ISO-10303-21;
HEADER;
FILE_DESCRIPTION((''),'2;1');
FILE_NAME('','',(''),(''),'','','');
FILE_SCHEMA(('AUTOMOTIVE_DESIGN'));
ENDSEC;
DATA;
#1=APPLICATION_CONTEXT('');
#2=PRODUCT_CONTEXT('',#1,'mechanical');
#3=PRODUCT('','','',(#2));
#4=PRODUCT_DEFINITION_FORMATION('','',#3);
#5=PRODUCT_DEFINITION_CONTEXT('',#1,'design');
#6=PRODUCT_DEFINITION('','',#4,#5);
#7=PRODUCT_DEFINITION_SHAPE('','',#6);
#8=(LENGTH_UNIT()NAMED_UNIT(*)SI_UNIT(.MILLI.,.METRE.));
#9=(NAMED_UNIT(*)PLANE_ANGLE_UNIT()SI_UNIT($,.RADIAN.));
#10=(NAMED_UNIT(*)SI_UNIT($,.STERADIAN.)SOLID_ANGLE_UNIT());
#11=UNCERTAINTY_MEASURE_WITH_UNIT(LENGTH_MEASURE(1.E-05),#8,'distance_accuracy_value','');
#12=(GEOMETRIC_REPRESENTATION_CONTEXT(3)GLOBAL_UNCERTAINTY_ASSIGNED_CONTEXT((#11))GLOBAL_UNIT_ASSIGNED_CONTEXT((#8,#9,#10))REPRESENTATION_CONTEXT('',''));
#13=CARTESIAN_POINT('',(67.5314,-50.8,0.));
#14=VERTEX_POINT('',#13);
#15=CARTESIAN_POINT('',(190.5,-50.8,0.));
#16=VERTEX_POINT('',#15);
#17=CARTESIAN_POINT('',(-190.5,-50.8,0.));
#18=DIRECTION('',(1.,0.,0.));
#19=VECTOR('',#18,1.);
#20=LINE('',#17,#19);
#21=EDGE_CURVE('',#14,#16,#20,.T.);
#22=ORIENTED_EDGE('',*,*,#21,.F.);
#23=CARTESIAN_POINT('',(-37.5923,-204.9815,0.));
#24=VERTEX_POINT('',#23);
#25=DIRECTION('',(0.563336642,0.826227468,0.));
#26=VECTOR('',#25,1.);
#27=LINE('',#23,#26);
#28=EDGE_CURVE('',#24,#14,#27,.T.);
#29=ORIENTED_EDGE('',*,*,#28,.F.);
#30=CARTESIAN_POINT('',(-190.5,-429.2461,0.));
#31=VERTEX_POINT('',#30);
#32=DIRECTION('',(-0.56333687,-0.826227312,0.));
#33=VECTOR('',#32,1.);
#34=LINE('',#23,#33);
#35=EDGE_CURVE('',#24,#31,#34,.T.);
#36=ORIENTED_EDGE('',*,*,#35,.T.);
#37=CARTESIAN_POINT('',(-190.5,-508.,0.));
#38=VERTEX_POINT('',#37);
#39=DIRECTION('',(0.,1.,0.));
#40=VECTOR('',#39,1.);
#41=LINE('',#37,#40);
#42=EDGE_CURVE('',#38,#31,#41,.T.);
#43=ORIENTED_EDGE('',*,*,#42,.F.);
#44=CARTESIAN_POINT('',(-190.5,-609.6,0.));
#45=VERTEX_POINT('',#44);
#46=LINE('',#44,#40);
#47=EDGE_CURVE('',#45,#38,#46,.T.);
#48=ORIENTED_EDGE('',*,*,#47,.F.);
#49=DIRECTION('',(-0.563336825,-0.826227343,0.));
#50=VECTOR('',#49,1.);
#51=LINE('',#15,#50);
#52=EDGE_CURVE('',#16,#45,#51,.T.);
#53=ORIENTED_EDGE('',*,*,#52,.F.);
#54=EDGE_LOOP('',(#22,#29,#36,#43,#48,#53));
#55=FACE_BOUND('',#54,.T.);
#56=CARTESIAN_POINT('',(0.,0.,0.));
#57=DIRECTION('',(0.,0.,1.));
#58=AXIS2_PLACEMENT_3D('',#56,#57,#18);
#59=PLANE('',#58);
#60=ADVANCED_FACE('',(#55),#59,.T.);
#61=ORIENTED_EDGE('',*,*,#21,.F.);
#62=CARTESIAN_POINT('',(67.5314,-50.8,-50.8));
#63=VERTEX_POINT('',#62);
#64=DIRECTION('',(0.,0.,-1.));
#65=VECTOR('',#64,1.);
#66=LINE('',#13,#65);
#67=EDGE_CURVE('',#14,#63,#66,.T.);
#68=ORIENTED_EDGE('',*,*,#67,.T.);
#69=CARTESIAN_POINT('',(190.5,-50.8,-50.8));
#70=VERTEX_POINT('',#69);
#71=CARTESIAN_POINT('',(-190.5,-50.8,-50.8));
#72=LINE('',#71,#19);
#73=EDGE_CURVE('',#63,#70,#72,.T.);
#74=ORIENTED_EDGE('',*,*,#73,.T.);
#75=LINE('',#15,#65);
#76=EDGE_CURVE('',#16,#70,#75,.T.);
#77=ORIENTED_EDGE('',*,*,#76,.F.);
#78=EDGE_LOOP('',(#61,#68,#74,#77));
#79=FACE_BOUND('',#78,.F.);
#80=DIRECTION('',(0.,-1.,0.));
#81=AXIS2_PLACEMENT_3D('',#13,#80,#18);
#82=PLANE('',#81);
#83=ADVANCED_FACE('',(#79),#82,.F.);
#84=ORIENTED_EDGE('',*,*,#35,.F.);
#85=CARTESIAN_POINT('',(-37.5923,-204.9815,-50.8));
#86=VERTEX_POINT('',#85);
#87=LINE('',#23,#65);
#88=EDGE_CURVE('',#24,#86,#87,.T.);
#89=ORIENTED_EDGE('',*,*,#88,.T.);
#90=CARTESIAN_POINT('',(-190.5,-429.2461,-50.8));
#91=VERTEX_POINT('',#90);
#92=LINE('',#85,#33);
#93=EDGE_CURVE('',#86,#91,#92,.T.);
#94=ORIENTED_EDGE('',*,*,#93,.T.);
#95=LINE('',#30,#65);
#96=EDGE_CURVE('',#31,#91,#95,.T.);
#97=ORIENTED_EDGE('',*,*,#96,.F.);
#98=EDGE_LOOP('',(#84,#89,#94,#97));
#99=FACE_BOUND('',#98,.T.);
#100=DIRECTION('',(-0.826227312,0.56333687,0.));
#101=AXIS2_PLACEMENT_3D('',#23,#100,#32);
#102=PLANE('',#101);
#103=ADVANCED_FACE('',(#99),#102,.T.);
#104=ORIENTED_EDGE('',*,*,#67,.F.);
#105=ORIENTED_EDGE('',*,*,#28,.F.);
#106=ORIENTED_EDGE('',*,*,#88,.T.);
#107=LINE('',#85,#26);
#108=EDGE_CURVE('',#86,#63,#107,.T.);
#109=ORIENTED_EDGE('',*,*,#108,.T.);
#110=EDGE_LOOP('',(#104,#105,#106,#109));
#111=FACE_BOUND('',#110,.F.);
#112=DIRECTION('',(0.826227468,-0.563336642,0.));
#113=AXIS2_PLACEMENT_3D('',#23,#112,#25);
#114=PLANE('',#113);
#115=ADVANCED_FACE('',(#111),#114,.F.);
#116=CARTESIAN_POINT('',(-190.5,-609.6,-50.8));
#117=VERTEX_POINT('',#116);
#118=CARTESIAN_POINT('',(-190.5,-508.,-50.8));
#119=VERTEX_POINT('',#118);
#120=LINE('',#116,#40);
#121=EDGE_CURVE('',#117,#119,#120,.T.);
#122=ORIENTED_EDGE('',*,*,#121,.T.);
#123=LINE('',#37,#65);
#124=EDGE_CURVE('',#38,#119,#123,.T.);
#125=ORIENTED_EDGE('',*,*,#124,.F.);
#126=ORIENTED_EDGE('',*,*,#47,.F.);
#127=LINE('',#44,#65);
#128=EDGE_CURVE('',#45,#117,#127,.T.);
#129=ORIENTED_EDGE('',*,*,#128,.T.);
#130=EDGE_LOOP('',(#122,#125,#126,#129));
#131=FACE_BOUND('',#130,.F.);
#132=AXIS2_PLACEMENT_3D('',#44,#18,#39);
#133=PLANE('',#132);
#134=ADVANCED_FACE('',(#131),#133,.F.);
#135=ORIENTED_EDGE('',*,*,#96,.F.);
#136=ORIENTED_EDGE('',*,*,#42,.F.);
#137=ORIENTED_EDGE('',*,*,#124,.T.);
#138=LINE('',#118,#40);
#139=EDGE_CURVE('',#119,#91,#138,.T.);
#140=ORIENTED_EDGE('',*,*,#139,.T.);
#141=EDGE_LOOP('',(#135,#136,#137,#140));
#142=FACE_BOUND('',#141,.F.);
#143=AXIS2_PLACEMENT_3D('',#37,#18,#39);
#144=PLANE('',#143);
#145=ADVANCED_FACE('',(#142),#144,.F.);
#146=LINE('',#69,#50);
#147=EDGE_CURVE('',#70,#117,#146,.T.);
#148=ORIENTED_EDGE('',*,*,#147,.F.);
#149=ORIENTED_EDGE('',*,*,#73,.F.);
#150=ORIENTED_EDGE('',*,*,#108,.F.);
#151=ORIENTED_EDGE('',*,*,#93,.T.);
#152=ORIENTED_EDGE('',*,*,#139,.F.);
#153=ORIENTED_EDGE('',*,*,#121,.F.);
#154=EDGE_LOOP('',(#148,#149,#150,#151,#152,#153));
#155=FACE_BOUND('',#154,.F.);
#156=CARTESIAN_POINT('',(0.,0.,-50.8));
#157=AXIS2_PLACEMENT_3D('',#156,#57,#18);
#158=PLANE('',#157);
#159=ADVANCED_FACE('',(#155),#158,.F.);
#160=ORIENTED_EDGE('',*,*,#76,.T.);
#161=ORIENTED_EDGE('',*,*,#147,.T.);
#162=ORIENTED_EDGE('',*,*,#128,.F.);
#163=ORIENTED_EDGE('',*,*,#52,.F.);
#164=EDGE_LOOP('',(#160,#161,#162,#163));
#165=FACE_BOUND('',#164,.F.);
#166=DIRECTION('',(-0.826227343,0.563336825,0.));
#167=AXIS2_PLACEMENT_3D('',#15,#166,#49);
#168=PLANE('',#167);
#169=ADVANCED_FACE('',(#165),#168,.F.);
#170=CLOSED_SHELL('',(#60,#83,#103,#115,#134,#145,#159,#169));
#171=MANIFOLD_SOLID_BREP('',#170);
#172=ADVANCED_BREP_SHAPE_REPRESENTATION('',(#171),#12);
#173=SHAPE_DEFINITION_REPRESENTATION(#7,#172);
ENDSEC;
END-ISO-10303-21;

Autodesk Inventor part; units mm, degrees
ref_plane "YZ Plane" through (0, 0, 0) normal (1, 0, 0) x (0, 1, 0)
ref_plane "XZ Plane" through (0, 0, 0) normal (0, 1, 0) x (-1, 0, 0)
ref_plane "XY Plane" through (0, 0, 0) normal (0, 0, 1) x (1, 0, 0)
ref_plane "Work Plane1" through (0, 0, 0) normal (0, 0, 1) x (1, 0, 0)
sketch "Sketch1" plane through (0, 0, 0) normal (0, 0, 1) x (1, 0, 0)
  line L0 (-190.5, -50.8) -> (190.5, -50.8) projected
  line L1 (-190.5, -609.6) -> (-190.5, -508) projected
  line L2 (190.5, -50.8) -> (-190.5, -609.6)
  line L3 (-190.5, -508) -> (-190.5, 1727.2) projected
  line L4 (-37.5923, -204.9815) -> (-190.5, -429.2461)
  line L5 (-37.5923, -204.9815) -> (67.5314, -50.8)
  line L6 (190.5, -50.8) -> (67.5314, -50.8)
  line L7 (-190.5, -429.2461) -> (-190.5, -609.6)
  point P0 (0, 0)
  point P1 (-190.5, -429.2461)
  dimension "d0" = 101.6
extrude "Extrusion1" add sketch "Sketch1" against normal blind 50.8 contours L0 L2 L1 L3 L4 L5
properties part number "Top of head diagonals"
